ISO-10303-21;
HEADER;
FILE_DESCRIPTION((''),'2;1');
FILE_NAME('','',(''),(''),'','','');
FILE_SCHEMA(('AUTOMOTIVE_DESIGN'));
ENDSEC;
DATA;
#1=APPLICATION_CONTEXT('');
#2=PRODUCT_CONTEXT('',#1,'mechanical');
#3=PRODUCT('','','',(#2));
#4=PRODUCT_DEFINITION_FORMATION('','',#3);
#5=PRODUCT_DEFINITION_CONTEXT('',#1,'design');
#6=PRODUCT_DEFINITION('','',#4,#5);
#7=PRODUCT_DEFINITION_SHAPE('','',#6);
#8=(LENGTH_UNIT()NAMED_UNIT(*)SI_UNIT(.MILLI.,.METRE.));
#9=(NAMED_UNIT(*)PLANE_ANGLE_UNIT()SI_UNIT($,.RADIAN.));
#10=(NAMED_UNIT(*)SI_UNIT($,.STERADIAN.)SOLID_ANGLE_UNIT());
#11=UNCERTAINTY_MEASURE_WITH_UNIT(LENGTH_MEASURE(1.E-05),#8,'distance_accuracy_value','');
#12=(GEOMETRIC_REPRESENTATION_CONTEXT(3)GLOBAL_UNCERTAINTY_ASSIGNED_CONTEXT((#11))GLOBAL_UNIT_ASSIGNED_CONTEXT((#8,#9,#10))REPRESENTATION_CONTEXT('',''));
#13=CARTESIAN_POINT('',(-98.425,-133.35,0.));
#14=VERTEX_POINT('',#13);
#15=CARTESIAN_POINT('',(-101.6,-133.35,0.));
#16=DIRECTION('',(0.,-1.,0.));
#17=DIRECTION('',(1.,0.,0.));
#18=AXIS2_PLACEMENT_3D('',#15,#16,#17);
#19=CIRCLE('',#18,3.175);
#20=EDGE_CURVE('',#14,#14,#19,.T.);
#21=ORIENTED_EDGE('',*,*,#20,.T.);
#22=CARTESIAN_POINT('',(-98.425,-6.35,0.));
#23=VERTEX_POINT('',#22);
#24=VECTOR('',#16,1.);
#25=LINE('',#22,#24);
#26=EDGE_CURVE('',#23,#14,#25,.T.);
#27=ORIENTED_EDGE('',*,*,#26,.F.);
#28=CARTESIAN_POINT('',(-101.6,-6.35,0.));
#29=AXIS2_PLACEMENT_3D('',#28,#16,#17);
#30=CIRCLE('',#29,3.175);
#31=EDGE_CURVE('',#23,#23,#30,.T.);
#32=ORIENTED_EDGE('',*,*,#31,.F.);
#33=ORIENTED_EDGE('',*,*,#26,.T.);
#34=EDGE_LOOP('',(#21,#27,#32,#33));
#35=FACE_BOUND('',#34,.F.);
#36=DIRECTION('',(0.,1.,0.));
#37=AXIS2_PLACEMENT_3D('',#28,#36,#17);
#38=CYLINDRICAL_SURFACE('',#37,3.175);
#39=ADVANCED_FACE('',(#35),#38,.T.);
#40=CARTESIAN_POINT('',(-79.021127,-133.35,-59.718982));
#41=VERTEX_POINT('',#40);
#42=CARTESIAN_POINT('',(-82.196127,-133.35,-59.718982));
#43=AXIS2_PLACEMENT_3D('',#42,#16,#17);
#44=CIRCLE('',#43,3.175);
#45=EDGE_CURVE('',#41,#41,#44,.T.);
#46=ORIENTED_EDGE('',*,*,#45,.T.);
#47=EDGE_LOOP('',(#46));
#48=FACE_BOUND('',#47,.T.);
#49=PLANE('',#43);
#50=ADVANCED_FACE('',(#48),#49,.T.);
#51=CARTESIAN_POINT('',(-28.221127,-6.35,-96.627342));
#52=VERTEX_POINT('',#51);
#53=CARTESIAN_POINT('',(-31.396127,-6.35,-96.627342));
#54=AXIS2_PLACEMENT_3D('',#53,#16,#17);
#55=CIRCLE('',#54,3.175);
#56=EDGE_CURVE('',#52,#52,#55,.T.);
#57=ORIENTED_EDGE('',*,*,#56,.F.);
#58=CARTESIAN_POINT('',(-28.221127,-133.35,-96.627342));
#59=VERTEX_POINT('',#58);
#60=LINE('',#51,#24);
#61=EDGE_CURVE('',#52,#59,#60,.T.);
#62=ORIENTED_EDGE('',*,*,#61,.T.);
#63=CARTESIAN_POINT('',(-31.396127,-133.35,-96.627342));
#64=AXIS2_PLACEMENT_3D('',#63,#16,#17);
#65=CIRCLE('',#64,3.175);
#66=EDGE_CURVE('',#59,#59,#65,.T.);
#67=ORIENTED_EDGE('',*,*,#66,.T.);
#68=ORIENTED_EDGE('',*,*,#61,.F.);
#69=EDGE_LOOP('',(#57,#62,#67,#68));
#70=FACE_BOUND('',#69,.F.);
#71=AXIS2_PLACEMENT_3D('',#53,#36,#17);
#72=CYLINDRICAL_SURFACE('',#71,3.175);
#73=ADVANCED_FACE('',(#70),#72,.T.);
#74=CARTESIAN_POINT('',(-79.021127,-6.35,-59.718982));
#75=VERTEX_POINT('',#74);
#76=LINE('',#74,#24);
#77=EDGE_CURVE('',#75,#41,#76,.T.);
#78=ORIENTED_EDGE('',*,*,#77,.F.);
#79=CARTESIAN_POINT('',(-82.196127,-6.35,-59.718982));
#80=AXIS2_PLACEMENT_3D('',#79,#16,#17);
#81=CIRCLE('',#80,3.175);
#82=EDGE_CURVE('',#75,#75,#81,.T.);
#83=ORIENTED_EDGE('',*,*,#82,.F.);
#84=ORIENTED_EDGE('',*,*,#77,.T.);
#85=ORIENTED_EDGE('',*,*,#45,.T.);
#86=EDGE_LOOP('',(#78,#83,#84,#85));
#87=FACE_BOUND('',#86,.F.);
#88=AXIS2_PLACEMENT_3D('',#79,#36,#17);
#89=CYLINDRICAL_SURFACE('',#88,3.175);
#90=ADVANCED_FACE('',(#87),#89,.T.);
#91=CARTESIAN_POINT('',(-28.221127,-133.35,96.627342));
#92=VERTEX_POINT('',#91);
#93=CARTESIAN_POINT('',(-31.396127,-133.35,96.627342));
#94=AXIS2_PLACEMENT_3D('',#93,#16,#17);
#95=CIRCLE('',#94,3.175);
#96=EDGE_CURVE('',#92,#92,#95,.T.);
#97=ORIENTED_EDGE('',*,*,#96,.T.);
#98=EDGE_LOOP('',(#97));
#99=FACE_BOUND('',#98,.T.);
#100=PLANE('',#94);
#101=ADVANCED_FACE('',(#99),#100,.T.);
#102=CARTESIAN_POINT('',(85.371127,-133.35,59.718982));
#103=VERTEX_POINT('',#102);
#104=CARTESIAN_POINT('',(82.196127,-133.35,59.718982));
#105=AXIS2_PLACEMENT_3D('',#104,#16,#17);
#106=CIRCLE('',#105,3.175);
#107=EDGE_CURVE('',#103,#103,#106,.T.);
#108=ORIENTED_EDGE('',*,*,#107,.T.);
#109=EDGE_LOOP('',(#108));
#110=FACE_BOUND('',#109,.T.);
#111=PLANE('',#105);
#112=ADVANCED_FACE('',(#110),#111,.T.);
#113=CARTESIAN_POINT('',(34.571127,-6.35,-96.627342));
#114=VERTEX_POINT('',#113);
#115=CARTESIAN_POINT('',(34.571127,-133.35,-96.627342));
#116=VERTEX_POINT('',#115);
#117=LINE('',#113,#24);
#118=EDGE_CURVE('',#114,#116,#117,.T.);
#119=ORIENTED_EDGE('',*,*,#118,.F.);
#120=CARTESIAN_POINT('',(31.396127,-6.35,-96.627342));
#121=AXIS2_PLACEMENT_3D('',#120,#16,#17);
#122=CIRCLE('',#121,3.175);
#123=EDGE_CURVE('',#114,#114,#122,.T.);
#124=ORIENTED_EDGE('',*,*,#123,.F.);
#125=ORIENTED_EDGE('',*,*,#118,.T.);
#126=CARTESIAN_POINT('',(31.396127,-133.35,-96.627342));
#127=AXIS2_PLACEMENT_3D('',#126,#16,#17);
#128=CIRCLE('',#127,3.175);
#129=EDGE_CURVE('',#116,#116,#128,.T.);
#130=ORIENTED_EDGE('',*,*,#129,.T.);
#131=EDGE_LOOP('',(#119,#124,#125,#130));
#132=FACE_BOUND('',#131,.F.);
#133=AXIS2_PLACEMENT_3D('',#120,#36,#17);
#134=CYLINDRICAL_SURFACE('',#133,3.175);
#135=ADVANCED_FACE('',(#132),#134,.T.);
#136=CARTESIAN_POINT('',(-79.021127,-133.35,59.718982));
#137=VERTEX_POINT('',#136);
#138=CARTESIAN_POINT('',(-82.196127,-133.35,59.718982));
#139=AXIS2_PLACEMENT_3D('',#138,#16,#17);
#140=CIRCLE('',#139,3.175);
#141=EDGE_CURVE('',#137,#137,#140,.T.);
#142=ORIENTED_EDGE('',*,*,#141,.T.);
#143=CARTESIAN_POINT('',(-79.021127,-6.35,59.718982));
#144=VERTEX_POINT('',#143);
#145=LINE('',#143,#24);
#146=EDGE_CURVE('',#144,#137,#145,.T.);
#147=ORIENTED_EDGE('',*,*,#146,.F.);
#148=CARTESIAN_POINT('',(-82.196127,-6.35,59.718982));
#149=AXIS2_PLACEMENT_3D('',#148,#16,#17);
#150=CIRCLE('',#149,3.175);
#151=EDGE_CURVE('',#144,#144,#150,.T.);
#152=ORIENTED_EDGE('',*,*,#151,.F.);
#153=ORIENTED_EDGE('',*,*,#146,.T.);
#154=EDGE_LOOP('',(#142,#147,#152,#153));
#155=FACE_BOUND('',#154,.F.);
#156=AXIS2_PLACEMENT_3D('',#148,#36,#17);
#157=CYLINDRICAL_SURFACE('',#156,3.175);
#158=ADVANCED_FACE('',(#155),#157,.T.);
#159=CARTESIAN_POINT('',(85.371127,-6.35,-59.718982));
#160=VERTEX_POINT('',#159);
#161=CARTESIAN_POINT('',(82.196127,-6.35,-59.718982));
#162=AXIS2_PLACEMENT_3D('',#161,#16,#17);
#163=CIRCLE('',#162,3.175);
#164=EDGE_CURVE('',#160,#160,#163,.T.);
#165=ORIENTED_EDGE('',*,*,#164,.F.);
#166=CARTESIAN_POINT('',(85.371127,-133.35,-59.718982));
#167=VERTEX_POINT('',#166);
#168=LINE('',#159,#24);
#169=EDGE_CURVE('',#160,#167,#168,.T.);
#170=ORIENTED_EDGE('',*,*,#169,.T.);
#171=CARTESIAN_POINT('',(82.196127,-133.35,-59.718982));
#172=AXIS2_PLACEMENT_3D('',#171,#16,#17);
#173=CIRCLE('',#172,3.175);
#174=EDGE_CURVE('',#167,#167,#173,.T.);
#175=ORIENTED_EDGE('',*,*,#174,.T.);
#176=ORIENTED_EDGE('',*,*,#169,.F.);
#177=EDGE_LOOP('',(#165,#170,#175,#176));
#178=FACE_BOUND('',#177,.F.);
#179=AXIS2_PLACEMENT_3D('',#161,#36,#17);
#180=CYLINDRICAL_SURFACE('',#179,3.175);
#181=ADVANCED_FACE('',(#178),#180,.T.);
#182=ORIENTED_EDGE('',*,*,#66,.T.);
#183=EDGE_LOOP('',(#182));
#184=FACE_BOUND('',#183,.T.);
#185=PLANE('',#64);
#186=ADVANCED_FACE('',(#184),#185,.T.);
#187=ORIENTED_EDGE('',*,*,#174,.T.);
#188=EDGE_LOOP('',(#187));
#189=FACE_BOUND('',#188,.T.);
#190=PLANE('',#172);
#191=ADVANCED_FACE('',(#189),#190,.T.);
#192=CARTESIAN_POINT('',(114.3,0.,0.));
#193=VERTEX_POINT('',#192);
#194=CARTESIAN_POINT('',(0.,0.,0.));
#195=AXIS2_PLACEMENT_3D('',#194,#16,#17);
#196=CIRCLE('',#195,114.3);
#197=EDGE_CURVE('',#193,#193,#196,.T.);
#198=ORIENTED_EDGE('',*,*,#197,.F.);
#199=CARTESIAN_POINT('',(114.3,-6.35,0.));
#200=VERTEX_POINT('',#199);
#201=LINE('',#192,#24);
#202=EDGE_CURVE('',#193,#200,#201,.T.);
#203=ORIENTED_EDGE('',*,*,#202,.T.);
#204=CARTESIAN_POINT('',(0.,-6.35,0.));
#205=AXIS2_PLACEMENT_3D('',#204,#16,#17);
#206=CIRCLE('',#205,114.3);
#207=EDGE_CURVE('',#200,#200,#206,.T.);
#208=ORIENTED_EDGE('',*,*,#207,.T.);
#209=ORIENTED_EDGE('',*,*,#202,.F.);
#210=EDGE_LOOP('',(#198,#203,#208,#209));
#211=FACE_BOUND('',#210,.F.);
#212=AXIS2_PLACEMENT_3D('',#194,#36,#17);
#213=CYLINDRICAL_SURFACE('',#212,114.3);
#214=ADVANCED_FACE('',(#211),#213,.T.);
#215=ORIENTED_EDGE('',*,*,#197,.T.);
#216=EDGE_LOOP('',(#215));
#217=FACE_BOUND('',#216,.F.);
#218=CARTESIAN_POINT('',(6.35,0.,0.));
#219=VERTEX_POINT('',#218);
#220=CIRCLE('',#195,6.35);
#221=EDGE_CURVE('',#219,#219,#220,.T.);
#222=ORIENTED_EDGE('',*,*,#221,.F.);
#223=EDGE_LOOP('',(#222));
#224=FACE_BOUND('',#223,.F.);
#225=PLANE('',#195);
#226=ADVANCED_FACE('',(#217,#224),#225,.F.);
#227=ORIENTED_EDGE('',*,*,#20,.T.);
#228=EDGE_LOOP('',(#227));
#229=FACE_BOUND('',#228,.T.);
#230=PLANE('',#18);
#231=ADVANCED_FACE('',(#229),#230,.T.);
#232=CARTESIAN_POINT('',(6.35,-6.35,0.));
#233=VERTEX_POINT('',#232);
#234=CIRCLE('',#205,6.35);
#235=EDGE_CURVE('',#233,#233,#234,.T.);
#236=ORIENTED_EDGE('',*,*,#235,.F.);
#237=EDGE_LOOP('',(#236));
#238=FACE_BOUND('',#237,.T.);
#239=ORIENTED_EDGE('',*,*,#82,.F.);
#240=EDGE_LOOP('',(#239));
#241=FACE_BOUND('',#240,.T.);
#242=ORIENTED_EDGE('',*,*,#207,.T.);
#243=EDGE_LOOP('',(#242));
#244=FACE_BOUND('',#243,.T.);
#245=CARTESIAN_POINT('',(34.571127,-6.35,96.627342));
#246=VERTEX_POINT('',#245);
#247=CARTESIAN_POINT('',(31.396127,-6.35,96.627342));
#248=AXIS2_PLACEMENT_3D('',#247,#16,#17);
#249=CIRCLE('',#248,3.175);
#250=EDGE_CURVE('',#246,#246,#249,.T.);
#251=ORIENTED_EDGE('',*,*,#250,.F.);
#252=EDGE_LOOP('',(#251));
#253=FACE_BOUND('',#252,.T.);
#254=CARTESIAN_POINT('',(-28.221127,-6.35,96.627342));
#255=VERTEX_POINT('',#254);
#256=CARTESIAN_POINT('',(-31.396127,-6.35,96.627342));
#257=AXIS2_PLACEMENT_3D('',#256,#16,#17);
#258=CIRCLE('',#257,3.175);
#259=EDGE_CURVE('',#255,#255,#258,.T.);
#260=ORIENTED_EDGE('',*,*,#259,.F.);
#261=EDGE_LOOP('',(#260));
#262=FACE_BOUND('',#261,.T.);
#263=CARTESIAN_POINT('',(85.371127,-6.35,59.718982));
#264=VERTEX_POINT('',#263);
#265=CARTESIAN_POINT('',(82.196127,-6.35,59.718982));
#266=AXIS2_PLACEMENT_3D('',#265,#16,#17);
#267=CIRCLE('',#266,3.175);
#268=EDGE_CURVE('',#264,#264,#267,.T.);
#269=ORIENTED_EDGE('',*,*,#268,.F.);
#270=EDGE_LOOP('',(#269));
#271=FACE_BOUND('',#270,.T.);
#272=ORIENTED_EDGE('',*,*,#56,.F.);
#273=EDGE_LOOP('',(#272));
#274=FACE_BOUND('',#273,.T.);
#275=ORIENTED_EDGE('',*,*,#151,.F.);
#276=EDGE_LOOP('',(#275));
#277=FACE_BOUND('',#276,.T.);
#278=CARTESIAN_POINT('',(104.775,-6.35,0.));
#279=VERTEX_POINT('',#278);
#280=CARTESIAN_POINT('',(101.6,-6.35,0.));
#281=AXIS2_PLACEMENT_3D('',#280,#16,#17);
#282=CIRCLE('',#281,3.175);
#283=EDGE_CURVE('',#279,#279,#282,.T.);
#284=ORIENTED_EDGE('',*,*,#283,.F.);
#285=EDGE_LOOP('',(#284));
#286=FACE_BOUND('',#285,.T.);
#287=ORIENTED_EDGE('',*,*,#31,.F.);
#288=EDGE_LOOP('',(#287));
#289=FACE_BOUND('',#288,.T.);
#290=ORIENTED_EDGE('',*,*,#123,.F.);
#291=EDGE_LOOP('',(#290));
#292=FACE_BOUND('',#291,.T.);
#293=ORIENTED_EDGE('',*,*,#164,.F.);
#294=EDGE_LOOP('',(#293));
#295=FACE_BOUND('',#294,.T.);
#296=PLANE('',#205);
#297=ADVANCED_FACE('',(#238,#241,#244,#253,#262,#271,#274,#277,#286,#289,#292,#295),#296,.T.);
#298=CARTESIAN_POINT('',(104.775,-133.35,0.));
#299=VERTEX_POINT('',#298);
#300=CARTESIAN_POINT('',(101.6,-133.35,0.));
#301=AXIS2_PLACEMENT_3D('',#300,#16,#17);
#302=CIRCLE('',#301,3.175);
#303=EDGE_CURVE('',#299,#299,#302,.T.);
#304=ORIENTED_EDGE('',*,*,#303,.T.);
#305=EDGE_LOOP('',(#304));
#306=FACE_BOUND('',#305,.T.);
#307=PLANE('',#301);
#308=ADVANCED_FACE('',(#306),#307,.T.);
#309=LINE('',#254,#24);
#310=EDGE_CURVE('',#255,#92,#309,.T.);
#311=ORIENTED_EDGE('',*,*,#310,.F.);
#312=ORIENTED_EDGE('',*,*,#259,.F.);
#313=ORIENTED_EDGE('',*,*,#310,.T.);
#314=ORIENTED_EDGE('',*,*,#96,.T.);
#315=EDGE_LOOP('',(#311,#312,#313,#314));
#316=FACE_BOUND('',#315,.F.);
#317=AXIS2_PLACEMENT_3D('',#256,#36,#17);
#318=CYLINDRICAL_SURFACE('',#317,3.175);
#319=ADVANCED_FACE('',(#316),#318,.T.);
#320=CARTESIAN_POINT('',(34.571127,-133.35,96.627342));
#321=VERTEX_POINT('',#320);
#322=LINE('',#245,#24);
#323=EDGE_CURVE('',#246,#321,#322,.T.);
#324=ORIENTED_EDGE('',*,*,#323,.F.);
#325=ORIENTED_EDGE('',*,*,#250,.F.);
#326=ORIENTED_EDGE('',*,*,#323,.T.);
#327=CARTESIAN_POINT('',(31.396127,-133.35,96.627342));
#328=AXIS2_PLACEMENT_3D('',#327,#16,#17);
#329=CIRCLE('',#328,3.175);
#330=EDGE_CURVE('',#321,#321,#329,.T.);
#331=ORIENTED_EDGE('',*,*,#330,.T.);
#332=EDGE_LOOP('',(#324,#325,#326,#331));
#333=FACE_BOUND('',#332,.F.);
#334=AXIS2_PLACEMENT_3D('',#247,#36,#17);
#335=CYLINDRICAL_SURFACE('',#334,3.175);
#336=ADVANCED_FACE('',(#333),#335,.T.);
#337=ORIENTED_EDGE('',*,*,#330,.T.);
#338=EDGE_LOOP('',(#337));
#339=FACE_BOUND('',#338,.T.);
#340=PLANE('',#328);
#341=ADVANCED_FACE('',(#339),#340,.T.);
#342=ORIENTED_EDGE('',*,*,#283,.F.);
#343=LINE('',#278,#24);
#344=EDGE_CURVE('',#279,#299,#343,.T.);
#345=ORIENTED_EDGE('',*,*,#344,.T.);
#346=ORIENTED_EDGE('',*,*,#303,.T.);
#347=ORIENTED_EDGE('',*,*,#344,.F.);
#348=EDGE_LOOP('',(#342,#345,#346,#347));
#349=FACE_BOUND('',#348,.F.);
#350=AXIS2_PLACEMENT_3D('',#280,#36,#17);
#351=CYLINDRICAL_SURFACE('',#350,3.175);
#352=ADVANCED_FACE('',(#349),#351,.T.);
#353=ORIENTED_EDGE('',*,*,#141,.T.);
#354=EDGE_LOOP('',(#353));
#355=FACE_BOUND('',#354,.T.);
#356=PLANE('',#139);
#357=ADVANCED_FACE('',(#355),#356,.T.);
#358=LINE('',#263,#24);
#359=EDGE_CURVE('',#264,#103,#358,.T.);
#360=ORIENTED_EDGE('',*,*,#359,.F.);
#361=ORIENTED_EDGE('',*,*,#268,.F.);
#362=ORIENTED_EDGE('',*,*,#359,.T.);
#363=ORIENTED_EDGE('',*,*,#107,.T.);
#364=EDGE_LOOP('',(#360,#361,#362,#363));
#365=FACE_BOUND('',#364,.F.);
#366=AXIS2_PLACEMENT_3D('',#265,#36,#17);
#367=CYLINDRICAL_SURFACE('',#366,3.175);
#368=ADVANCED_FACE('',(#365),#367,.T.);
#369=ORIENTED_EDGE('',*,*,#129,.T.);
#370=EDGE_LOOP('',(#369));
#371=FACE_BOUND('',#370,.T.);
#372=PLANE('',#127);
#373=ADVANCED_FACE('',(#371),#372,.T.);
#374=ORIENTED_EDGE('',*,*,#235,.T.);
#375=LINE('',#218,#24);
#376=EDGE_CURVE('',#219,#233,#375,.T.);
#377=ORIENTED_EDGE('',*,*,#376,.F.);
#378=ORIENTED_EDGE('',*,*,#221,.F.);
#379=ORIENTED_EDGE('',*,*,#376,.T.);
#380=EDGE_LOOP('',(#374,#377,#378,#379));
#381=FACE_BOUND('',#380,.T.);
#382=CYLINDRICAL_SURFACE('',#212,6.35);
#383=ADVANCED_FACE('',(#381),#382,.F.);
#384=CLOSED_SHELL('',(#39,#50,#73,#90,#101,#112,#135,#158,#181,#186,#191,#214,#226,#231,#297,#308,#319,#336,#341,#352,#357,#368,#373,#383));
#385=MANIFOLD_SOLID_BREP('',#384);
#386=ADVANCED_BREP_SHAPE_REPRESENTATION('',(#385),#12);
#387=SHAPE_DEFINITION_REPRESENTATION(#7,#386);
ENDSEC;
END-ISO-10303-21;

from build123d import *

# Parameters (mm, degrees)
F0_R     = 114.3
F0_R_2   = 6.35
F1_DEPTH = 6.35
F2_R     = 3.175
F3_DEPTH = 127


with BuildPart() as f1:
    # F0 (on Front) → F1 (new body)
    with BuildSketch(Plane.XZ):
        Circle(F0_R)
        Circle(F0_R_2, mode=Mode.SUBTRACT)
    extrude(amount=F1_DEPTH)

    # F2 (on face) → F3 (join)
    with BuildSketch(Plane.XZ.offset(6.35)):
        with Locations((101.6, 0)):
            Circle(F2_R)
        with Locations((82.196127, 59.718982)):
            Circle(F2_R)
        with Locations((31.396127, 96.627342)):
            Circle(F2_R)
        with Locations((-31.396127, 96.627342)):
            Circle(F2_R)
        with Locations((-82.196127, 59.718982)):
            Circle(F2_R)
        with Locations((-101.6, 0)):
            Circle(F2_R)
        with Locations((-82.196127, -59.718982)):
            Circle(F2_R)
        with Locations((-31.396127, -96.627342)):
            Circle(F2_R)
        with Locations((31.396127, -96.627342)):
            Circle(F2_R)
        with Locations((82.196127, -59.718982)):
            Circle(F2_R)
    extrude(amount=F3_DEPTH)


solid = f1.part
